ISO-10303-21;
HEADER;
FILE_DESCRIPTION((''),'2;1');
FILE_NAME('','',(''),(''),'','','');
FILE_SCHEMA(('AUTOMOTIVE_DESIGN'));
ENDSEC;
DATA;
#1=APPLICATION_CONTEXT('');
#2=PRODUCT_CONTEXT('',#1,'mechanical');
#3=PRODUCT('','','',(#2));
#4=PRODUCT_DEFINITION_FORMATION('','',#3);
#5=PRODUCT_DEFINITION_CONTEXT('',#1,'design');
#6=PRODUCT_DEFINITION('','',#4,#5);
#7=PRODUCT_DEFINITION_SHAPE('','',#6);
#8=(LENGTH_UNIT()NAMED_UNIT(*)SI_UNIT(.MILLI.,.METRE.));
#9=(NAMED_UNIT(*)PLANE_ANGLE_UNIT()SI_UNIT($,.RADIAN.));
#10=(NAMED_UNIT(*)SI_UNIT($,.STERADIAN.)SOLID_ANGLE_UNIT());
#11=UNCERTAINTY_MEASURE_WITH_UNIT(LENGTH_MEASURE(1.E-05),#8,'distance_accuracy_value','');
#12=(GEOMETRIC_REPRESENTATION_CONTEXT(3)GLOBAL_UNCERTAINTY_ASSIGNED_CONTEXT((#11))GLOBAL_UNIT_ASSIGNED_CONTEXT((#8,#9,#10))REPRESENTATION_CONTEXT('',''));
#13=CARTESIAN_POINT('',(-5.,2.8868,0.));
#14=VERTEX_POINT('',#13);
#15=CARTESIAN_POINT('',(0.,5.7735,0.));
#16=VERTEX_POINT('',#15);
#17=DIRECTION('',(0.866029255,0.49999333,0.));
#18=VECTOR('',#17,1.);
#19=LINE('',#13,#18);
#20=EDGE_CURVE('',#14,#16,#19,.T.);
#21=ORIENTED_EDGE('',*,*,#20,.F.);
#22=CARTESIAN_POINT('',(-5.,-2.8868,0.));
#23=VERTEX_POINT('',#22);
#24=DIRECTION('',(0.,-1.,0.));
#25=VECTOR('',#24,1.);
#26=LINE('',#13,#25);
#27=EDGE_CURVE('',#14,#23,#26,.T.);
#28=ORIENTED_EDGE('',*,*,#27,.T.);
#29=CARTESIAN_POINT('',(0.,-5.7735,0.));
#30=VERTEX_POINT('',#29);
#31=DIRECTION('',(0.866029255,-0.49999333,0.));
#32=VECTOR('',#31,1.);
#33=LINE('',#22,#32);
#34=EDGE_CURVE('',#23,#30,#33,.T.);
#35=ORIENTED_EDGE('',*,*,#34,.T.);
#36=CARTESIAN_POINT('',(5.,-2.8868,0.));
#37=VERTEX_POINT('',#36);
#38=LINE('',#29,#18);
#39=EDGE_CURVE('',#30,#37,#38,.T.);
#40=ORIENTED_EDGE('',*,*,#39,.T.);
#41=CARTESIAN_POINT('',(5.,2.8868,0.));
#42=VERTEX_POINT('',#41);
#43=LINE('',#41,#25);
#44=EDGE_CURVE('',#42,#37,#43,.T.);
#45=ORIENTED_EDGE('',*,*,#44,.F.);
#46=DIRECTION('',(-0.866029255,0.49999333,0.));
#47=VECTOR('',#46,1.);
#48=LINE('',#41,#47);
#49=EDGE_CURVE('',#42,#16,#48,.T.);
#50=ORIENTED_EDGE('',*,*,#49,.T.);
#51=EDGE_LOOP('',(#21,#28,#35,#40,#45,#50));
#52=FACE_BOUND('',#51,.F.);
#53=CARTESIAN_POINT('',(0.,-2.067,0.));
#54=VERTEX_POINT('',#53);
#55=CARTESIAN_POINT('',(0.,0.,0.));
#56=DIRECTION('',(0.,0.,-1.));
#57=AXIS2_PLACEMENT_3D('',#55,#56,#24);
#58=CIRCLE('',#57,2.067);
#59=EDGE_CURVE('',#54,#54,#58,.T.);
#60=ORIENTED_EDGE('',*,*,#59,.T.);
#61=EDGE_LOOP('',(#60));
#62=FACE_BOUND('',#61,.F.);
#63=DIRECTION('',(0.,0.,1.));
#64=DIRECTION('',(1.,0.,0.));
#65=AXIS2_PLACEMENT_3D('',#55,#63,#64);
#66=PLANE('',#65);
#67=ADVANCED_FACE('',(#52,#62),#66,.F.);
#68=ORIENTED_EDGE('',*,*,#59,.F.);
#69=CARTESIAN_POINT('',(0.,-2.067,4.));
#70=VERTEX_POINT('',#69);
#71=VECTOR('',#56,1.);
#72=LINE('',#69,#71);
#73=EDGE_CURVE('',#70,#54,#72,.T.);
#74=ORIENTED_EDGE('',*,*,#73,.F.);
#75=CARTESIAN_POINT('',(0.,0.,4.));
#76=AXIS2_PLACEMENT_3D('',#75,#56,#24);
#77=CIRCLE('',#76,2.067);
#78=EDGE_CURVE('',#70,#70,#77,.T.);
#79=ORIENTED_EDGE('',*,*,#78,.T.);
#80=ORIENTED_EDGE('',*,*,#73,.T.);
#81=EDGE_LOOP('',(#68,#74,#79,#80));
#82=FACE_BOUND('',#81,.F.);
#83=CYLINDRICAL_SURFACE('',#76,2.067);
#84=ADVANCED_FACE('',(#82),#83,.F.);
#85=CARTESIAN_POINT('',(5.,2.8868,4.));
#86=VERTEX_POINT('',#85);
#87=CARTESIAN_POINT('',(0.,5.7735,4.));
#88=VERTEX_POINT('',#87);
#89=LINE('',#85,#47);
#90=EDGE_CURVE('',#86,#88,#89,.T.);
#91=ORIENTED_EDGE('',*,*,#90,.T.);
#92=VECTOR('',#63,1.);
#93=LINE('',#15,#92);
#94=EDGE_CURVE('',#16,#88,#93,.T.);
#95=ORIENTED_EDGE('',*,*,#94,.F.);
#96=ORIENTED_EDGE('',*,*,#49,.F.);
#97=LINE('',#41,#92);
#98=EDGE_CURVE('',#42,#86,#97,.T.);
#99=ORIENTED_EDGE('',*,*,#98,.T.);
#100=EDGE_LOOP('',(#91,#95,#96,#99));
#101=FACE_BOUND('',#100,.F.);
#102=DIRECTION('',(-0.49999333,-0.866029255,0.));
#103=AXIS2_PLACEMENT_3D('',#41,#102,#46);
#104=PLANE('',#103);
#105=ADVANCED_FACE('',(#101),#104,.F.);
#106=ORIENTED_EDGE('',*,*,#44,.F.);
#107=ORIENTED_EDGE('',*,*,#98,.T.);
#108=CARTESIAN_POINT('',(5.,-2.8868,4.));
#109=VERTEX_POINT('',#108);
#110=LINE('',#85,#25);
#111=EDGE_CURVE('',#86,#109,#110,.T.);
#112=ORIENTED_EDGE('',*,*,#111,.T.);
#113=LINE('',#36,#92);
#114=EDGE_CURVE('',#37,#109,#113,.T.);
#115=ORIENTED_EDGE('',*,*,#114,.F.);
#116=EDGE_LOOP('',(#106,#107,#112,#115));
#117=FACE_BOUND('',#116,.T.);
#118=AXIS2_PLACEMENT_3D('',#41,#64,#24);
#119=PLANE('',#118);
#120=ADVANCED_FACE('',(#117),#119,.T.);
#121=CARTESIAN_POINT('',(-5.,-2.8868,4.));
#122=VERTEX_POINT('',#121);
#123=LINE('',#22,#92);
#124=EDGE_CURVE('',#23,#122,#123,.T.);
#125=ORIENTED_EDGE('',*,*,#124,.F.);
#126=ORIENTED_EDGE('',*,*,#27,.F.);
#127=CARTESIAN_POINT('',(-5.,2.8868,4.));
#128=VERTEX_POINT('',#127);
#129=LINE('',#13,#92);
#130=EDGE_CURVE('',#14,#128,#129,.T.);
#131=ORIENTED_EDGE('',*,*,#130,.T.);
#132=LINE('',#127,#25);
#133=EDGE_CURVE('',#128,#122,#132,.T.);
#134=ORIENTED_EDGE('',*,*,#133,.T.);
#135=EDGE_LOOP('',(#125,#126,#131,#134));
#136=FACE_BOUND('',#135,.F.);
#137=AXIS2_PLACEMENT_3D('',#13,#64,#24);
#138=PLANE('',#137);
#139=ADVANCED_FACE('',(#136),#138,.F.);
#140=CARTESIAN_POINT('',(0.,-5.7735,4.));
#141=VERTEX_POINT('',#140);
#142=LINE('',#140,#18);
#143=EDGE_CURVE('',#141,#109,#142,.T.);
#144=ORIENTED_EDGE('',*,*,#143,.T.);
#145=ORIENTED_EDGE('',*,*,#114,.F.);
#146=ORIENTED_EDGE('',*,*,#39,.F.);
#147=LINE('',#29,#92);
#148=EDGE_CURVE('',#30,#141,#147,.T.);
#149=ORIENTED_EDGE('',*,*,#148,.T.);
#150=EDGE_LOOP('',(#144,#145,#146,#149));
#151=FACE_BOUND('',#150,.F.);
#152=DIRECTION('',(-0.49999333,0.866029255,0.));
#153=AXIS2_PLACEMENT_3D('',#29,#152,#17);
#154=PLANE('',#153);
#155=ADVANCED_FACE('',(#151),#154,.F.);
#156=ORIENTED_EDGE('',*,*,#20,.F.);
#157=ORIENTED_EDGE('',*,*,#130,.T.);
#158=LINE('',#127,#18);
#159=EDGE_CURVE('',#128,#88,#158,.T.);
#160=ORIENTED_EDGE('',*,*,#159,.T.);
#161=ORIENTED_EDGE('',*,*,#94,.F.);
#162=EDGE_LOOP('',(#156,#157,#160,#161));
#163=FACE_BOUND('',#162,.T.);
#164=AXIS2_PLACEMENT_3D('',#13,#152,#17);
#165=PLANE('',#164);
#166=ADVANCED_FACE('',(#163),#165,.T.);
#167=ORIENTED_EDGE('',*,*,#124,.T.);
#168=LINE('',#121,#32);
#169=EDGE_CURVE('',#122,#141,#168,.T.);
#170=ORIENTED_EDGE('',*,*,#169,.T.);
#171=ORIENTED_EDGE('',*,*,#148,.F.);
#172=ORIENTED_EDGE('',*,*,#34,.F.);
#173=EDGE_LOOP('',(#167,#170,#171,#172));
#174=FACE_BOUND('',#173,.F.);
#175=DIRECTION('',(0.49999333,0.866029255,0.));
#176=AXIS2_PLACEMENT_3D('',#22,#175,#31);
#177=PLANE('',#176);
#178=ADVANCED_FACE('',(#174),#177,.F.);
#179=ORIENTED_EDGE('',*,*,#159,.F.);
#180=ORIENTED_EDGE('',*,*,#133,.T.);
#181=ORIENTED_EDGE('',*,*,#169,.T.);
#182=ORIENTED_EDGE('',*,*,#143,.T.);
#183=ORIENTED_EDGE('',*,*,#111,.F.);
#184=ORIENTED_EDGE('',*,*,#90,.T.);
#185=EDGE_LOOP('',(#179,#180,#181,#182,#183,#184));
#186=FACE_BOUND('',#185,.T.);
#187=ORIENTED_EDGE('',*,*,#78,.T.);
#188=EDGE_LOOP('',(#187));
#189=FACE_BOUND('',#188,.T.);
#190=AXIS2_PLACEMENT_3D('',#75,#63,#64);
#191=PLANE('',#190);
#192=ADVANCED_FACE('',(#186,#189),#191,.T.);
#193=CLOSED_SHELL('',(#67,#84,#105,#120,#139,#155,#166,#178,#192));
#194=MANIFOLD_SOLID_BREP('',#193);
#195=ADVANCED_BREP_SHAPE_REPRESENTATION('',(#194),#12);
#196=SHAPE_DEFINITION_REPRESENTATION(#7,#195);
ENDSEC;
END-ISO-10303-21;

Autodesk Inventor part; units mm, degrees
ref_plane "YZ Plane" through (0, 0, 0) normal (1, 0, 0) x (0, 1, 0)
ref_plane "XZ Plane" through (0, 0, 0) normal (0, 1, 0) x (-1, 0, 0)
ref_plane "XY Plane" through (0, 0, 0) normal (0, 0, 1) x (1, 0, 0)
sketch "Sketch1" plane through (0, 0, 0) normal (0, 0, 1) x (1, 0, 0)
  line L0 (5, 2.8868) -> (5, -2.8868)
  line L1 (5, 2.8868) -> (0, 5.7735)
  line L2 (-5, 2.8868) -> (0, 5.7735)
  line L3 (0, -5.7735) -> (5, -2.8868)
  line L4 (-5, 2.8868) -> (-5, -2.8868)
  line L5 (-5, -2.8868) -> (0, -5.7735)
  point P0 (0, 0)
  point P1 (0, 0)
  point P2 (0, 0)
  point P3 (0, 0)
  point P4 (0, 0)
  dimension "d0" = 120
  dimension "d1" = 120
  dimension "d2" = 120
  dimension "d3" = 120
  dimension "d4" = 120
  dimension "d5" = 120
  dimension "d6" = 10
  dimension "d7" = 5
extrude "Extrusion1" add sketch "Sketch1" along normal blind 4
sketch "Sketch2" plane through (0, 0, 4) normal (0, 0, 1) x (1, 0, 0)
  point P0 (0, 0)
  point P1 (0, 0)
hole "Hole1" at (0, 0, 4) direction (0, 0, -1) diameter 4.134 end through all thread size "M5x0.8" class "6H" standard "ISO Metric profile"
properties part number "M5-nut-4mm" material "Steel, Mild"
